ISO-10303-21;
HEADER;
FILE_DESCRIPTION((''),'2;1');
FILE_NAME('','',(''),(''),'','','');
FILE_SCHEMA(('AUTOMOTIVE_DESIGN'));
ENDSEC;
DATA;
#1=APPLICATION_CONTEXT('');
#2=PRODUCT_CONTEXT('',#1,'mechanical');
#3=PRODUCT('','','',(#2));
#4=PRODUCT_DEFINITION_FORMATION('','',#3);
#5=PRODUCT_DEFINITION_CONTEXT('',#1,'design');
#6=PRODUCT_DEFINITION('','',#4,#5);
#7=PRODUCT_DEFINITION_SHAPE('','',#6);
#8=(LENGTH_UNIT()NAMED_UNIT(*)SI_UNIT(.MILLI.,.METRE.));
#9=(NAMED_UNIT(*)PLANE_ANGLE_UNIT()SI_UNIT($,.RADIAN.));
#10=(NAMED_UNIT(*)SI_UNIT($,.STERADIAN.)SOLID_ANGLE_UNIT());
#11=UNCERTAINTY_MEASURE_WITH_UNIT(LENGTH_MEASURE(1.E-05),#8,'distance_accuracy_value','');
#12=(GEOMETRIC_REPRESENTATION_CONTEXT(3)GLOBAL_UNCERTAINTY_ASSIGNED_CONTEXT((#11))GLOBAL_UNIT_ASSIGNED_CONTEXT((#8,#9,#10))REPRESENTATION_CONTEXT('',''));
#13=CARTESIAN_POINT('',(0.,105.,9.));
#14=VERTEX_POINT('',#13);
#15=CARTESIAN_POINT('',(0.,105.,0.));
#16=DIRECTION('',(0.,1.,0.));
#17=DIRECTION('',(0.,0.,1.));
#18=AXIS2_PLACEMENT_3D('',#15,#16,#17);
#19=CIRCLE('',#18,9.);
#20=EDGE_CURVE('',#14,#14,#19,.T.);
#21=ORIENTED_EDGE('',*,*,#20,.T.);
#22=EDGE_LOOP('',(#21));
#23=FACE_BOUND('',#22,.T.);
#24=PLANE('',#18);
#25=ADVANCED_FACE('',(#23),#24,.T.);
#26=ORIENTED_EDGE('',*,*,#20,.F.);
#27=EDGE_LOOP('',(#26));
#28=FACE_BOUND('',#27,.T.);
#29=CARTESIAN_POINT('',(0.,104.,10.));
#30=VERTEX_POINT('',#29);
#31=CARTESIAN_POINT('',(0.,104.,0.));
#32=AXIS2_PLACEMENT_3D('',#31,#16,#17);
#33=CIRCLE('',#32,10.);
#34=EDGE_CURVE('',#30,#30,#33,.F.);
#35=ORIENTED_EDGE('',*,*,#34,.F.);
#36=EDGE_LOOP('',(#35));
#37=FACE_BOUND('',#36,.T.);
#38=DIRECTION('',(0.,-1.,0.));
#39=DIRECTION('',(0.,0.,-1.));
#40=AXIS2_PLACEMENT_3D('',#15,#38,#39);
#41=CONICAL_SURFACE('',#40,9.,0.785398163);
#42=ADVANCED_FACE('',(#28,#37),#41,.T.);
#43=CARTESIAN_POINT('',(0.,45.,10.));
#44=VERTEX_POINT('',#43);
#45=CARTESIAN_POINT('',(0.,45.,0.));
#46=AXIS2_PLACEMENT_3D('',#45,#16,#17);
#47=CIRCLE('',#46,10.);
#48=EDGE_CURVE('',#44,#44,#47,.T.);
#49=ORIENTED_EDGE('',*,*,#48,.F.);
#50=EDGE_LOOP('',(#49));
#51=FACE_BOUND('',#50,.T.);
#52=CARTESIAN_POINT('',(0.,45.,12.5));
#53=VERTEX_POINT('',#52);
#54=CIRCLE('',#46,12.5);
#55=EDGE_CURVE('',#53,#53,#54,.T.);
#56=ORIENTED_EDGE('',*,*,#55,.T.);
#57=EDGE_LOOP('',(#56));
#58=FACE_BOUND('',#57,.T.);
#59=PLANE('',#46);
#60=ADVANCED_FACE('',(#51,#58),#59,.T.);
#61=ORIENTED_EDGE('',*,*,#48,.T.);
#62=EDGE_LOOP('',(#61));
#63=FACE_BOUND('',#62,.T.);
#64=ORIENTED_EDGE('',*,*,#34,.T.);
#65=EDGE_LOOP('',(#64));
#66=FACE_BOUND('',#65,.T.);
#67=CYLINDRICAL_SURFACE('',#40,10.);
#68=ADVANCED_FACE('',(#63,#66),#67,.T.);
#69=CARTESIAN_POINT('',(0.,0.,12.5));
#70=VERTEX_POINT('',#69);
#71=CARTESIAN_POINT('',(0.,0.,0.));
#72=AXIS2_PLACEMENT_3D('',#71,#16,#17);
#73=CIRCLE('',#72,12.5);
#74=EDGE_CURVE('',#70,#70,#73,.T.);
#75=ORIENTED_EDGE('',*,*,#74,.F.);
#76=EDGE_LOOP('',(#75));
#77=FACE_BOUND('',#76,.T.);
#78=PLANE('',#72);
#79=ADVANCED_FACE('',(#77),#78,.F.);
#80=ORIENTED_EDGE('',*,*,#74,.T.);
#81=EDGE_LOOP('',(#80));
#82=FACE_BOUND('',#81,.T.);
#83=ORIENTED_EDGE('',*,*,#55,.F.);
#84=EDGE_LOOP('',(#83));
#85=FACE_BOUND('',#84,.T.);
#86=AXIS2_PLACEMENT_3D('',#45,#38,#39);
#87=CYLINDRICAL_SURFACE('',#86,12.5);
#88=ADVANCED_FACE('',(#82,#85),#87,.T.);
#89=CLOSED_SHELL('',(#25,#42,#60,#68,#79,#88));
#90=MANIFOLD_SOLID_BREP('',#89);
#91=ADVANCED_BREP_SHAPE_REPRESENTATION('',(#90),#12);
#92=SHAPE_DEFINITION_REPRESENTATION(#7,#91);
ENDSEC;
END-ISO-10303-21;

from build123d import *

# Parameters (mm, degrees)
SKETCH1_R           = 12.5
BOSS_EXTRUDE1_DEPTH = 45
SKETCH2_R           = 10
BOSS_EXTRUDE2_DEPTH = 60
CHAMFER1_SIZE       = 1


with BuildPart() as part:
    # Sketch1 → Boss-Extrude1 (new body)
    with BuildSketch(Plane(origin=(0, 0, 0), x_dir=(1, 0, 0), z_dir=(0, 1, 0))):
        Circle(SKETCH1_R)
    extrude(amount=BOSS_EXTRUDE1_DEPTH)

    # Sketch2 → Boss-Extrude2 (add)
    with BuildSketch(Plane(origin=(0, 45, 0), x_dir=(1, 0, 0), z_dir=(0, 1, 0))):
        Circle(SKETCH2_R)
    extrude(amount=BOSS_EXTRUDE2_DEPTH)

    # Chamfer1
    chamfer1_edges = [part.edges().sort_by_distance(p)[0] for p in [
        (-10, 105, 0),
    ]]
    chamfer(chamfer1_edges, length=CHAMFER1_SIZE)


solid = part.part
